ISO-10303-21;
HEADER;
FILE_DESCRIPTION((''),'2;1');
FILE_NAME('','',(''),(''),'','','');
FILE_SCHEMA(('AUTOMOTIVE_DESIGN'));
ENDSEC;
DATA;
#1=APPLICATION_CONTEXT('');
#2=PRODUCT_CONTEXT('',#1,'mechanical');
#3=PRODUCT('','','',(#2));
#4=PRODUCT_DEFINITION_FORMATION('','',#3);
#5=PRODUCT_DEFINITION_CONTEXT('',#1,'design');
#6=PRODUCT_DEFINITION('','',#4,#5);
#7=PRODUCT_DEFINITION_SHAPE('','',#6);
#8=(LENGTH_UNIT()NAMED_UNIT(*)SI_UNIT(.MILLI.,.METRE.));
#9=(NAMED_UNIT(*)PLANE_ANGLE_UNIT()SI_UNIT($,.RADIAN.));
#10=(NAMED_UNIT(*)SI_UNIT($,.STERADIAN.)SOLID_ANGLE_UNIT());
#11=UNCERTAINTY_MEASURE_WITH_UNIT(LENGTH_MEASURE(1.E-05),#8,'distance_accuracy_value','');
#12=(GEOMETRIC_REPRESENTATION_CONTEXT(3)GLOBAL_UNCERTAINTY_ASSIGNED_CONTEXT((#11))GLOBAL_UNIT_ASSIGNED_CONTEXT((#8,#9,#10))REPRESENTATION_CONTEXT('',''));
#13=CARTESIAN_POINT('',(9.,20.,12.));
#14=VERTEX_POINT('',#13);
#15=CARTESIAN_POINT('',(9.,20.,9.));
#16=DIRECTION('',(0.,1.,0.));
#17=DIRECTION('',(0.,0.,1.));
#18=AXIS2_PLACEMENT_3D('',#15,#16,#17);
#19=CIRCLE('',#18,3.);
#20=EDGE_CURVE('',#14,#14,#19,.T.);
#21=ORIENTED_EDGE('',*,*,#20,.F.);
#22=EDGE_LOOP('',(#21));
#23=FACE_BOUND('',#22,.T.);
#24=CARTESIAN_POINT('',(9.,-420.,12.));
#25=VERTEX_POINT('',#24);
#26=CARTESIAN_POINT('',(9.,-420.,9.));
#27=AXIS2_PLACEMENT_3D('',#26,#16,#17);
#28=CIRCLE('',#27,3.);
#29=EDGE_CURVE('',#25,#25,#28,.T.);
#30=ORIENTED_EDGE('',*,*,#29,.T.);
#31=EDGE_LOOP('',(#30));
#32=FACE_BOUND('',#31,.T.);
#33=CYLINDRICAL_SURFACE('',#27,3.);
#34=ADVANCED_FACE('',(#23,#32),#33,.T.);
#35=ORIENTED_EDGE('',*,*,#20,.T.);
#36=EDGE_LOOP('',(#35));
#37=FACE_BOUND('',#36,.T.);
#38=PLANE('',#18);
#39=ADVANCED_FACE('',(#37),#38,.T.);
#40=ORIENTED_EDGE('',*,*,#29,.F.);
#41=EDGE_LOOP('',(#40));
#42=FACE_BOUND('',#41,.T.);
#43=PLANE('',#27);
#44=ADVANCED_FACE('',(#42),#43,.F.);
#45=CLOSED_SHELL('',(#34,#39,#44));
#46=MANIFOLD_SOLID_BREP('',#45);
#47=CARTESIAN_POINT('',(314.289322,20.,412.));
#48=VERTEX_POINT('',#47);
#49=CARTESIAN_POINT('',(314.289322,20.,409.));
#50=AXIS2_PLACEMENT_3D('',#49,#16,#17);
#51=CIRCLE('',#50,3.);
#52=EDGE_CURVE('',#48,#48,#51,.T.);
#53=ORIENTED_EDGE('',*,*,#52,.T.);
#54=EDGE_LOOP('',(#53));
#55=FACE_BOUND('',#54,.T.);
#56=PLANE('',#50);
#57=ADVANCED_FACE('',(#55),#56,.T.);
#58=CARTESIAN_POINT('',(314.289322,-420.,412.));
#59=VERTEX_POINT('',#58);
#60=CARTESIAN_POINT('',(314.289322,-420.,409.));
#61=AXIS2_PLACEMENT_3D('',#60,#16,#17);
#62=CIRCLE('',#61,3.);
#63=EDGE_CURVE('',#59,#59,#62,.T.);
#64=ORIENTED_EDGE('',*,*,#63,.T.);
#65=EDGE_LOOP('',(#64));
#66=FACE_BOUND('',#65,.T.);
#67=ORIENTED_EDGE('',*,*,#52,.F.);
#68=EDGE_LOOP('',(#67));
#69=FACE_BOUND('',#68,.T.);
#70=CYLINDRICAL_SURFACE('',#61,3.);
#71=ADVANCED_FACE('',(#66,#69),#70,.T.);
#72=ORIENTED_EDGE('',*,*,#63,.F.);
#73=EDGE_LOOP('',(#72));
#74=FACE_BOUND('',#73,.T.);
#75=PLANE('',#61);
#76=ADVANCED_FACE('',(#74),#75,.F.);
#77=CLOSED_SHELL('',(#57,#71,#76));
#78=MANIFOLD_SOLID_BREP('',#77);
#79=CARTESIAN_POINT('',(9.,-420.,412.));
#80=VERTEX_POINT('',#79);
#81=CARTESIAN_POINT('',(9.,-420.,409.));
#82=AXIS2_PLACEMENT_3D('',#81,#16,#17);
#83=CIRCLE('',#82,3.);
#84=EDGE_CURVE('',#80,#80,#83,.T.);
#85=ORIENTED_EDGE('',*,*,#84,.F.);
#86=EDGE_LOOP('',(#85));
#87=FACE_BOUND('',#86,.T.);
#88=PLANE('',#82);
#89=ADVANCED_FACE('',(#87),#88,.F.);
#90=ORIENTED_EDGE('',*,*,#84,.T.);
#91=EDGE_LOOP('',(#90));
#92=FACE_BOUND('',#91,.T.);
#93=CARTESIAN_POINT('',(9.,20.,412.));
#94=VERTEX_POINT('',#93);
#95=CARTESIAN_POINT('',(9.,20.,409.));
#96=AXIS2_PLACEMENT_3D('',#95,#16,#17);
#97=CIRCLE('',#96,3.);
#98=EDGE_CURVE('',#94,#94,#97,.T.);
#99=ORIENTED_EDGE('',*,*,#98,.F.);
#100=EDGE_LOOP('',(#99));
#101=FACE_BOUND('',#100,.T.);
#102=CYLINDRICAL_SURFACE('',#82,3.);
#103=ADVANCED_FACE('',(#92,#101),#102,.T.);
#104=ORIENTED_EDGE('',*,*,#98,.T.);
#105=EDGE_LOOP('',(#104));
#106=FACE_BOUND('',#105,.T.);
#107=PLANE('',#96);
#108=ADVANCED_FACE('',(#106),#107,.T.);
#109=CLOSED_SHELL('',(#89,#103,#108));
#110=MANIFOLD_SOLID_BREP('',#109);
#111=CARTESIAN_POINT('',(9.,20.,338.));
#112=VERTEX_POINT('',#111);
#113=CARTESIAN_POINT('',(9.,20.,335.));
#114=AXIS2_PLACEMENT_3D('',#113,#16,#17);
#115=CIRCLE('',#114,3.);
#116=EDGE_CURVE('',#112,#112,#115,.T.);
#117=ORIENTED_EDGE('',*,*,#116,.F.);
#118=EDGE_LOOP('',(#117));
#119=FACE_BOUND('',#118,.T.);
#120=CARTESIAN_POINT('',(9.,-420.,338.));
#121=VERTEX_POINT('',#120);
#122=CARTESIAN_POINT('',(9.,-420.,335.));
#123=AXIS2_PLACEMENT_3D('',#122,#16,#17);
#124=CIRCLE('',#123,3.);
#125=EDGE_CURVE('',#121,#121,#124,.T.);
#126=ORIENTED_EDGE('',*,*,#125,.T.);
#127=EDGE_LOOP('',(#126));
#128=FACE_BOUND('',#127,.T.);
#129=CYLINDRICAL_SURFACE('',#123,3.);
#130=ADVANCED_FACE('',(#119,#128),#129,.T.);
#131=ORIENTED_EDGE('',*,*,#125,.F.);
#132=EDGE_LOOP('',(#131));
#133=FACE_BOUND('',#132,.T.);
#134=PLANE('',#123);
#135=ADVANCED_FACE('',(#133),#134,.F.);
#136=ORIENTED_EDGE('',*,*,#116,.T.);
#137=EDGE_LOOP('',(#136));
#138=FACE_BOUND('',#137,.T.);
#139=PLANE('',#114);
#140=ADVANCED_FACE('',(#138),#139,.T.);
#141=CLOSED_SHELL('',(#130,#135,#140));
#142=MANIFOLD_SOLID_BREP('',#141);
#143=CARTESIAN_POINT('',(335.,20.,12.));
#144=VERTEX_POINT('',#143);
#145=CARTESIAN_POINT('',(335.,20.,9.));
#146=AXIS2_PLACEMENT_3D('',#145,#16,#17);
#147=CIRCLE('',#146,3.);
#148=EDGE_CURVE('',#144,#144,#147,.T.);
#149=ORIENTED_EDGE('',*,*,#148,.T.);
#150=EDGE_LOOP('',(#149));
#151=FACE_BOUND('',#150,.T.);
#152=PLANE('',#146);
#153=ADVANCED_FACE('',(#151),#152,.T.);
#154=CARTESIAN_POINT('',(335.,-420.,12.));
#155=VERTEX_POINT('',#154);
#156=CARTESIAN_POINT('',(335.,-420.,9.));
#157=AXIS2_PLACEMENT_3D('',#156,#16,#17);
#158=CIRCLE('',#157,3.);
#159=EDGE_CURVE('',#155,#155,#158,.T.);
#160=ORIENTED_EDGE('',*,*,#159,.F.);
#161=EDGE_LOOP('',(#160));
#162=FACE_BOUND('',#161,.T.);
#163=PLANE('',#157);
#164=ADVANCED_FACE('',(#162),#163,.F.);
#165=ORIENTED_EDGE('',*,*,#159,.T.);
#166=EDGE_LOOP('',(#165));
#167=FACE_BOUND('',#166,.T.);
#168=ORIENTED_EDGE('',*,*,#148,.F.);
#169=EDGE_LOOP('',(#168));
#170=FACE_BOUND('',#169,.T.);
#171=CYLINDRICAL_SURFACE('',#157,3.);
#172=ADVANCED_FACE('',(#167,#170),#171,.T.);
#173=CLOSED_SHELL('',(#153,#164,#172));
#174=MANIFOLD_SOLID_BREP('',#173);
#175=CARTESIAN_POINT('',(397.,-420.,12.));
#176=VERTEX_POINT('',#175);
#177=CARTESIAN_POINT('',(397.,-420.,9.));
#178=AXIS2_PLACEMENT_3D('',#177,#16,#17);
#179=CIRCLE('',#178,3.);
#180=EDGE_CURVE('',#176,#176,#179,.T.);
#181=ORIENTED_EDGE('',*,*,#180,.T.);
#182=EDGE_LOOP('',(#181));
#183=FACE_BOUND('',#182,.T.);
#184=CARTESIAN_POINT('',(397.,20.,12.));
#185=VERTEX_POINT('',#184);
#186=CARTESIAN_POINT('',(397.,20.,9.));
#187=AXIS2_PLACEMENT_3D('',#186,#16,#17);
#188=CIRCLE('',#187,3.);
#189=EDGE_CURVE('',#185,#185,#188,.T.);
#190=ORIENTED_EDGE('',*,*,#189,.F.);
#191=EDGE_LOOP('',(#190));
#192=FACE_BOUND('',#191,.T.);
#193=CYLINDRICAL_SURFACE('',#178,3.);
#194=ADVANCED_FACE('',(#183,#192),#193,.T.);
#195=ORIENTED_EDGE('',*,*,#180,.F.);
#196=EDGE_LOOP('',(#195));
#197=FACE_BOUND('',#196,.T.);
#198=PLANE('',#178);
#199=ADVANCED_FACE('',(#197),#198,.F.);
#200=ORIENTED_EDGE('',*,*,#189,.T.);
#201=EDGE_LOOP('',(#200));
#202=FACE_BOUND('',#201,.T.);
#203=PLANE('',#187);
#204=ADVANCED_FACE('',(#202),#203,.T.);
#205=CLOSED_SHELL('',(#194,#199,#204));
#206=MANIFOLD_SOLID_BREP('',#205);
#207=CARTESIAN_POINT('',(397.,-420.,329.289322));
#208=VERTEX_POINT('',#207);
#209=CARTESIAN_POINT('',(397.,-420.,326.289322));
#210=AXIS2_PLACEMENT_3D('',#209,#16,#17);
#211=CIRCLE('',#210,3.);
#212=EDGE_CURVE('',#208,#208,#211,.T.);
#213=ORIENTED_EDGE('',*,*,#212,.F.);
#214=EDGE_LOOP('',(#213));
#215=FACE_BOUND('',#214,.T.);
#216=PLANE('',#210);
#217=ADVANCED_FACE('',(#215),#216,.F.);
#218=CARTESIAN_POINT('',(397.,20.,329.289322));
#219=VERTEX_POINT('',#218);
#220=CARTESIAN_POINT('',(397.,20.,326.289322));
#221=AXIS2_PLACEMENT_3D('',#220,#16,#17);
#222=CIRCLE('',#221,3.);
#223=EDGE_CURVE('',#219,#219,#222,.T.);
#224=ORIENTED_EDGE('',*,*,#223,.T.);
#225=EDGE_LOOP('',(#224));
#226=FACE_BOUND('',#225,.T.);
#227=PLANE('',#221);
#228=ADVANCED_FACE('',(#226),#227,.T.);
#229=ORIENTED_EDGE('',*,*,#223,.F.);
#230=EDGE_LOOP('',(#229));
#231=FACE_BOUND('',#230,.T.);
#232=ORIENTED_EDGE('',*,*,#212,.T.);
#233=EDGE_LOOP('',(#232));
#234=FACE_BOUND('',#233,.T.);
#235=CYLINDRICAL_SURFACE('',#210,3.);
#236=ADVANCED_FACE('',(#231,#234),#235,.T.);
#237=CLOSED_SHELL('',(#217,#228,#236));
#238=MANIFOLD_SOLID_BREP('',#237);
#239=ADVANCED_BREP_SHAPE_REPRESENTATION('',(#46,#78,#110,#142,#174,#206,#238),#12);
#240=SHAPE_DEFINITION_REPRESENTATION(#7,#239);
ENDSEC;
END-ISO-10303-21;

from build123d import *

# Parameters (mm, degrees)
EXTRUDE_1_DEPTH        = 20
EXTRUDE_1_DEPTH_BACK   = 420
SKETCH_1_R             = 3
EXTRUDE_1_2_DEPTH      = 20
EXTRUDE_1_2_DEPTH_BACK = 420
EXTRUDE_1_3_DEPTH      = 20
EXTRUDE_1_3_DEPTH_BACK = 420
EXTRUDE_1_4_DEPTH      = 20
EXTRUDE_1_4_DEPTH_BACK = 420
EXTRUDE_1_5_DEPTH      = 20
EXTRUDE_1_5_DEPTH_BACK = 420
EXTRUDE_1_6_DEPTH      = 20
EXTRUDE_1_6_DEPTH_BACK = 420
EXTRUDE_1_7_DEPTH      = 20
EXTRUDE_1_7_DEPTH_BACK = 420


with BuildPart() as part:
    # Эскиз1 → Бобышка-Вытянуть1 (new, two sides: drawn at the far end of the back side and taken through both)
    with BuildSketch(Plane(origin=(0, 0, 0), x_dir=(1, 0, 0), z_dir=(0, 1, 0)).offset(-EXTRUDE_1_DEPTH_BACK)):
        with Locations(Location((335, -9, 0), (0, 0, 270))):
            Circle(SKETCH_1_R)
    extrude(amount=EXTRUDE_1_DEPTH + EXTRUDE_1_DEPTH_BACK)


with BuildPart() as body_2:
    # Эскиз1 → Extrude 1 2 (new, two sides: drawn at the far end of the back side and taken through both)
    with BuildSketch(Plane(origin=(0, 0, 0), x_dir=(1, 0, 0), z_dir=(0, 1, 0)).offset(-EXTRUDE_1_2_DEPTH_BACK)):
        with Locations(Location((9, -9, 0), (0, 0, 270))):
            Circle(SKETCH_1_R)
    extrude(amount=EXTRUDE_1_2_DEPTH + EXTRUDE_1_2_DEPTH_BACK)


with BuildPart() as body_3:
    # Эскиз1 → Extrude 1 3 (new, two sides: drawn at the far end of the back side and taken through both)
    with BuildSketch(Plane(origin=(0, 0, 0), x_dir=(1, 0, 0), z_dir=(0, 1, 0)).offset(-EXTRUDE_1_3_DEPTH_BACK)):
        with Locations(Location((9, -335, 0), (0, 0, 270))):
            Circle(SKETCH_1_R)
    extrude(amount=EXTRUDE_1_3_DEPTH + EXTRUDE_1_3_DEPTH_BACK)


with BuildPart() as body_4:
    # Эскиз1 → Extrude 1 4 (new, two sides: drawn at the far end of the back side and taken through both)
    with BuildSketch(Plane(origin=(0, 0, 0), x_dir=(1, 0, 0), z_dir=(0, 1, 0)).offset(-EXTRUDE_1_4_DEPTH_BACK)):
        with Locations(Location((314.289321881, -409, 0), (0, 0, 270))):
            Circle(SKETCH_1_R)
    extrude(amount=EXTRUDE_1_4_DEPTH + EXTRUDE_1_4_DEPTH_BACK)


with BuildPart() as body_5:
    # Эскиз1 → Extrude 1 5 (new, two sides: drawn at the far end of the back side and taken through both)
    with BuildSketch(Plane(origin=(0, 0, 0), x_dir=(1, 0, 0), z_dir=(0, 1, 0)).offset(-EXTRUDE_1_5_DEPTH_BACK)):
        with Locations(Location((397, -326.289321881, 0), (0, 0, 270))):
            Circle(SKETCH_1_R)
    extrude(amount=EXTRUDE_1_5_DEPTH + EXTRUDE_1_5_DEPTH_BACK)


with BuildPart() as body_6:
    # Эскиз1 → Extrude 1 6 (new, two sides: drawn at the far end of the back side and taken through both)
    with BuildSketch(Plane(origin=(0, 0, 0), x_dir=(1, 0, 0), z_dir=(0, 1, 0)).offset(-EXTRUDE_1_6_DEPTH_BACK)):
        with Locations(Location((9, -409, 0), (0, 0, 270))):
            Circle(SKETCH_1_R)
    extrude(amount=EXTRUDE_1_6_DEPTH + EXTRUDE_1_6_DEPTH_BACK)


with BuildPart() as body_7:
    # Эскиз1 → Extrude 1 7 (new, two sides: drawn at the far end of the back side and taken through both)
    with BuildSketch(Plane(origin=(0, 0, 0), x_dir=(1, 0, 0), z_dir=(0, 1, 0)).offset(-EXTRUDE_1_7_DEPTH_BACK)):
        with Locations(Location((397, -9, 0), (0, 0, 270))):
            Circle(SKETCH_1_R)
    extrude(amount=EXTRUDE_1_7_DEPTH + EXTRUDE_1_7_DEPTH_BACK)


solid = Compound([part.part, body_2.part, body_3.part, body_4.part, body_5.part, body_6.part, body_7.part])
